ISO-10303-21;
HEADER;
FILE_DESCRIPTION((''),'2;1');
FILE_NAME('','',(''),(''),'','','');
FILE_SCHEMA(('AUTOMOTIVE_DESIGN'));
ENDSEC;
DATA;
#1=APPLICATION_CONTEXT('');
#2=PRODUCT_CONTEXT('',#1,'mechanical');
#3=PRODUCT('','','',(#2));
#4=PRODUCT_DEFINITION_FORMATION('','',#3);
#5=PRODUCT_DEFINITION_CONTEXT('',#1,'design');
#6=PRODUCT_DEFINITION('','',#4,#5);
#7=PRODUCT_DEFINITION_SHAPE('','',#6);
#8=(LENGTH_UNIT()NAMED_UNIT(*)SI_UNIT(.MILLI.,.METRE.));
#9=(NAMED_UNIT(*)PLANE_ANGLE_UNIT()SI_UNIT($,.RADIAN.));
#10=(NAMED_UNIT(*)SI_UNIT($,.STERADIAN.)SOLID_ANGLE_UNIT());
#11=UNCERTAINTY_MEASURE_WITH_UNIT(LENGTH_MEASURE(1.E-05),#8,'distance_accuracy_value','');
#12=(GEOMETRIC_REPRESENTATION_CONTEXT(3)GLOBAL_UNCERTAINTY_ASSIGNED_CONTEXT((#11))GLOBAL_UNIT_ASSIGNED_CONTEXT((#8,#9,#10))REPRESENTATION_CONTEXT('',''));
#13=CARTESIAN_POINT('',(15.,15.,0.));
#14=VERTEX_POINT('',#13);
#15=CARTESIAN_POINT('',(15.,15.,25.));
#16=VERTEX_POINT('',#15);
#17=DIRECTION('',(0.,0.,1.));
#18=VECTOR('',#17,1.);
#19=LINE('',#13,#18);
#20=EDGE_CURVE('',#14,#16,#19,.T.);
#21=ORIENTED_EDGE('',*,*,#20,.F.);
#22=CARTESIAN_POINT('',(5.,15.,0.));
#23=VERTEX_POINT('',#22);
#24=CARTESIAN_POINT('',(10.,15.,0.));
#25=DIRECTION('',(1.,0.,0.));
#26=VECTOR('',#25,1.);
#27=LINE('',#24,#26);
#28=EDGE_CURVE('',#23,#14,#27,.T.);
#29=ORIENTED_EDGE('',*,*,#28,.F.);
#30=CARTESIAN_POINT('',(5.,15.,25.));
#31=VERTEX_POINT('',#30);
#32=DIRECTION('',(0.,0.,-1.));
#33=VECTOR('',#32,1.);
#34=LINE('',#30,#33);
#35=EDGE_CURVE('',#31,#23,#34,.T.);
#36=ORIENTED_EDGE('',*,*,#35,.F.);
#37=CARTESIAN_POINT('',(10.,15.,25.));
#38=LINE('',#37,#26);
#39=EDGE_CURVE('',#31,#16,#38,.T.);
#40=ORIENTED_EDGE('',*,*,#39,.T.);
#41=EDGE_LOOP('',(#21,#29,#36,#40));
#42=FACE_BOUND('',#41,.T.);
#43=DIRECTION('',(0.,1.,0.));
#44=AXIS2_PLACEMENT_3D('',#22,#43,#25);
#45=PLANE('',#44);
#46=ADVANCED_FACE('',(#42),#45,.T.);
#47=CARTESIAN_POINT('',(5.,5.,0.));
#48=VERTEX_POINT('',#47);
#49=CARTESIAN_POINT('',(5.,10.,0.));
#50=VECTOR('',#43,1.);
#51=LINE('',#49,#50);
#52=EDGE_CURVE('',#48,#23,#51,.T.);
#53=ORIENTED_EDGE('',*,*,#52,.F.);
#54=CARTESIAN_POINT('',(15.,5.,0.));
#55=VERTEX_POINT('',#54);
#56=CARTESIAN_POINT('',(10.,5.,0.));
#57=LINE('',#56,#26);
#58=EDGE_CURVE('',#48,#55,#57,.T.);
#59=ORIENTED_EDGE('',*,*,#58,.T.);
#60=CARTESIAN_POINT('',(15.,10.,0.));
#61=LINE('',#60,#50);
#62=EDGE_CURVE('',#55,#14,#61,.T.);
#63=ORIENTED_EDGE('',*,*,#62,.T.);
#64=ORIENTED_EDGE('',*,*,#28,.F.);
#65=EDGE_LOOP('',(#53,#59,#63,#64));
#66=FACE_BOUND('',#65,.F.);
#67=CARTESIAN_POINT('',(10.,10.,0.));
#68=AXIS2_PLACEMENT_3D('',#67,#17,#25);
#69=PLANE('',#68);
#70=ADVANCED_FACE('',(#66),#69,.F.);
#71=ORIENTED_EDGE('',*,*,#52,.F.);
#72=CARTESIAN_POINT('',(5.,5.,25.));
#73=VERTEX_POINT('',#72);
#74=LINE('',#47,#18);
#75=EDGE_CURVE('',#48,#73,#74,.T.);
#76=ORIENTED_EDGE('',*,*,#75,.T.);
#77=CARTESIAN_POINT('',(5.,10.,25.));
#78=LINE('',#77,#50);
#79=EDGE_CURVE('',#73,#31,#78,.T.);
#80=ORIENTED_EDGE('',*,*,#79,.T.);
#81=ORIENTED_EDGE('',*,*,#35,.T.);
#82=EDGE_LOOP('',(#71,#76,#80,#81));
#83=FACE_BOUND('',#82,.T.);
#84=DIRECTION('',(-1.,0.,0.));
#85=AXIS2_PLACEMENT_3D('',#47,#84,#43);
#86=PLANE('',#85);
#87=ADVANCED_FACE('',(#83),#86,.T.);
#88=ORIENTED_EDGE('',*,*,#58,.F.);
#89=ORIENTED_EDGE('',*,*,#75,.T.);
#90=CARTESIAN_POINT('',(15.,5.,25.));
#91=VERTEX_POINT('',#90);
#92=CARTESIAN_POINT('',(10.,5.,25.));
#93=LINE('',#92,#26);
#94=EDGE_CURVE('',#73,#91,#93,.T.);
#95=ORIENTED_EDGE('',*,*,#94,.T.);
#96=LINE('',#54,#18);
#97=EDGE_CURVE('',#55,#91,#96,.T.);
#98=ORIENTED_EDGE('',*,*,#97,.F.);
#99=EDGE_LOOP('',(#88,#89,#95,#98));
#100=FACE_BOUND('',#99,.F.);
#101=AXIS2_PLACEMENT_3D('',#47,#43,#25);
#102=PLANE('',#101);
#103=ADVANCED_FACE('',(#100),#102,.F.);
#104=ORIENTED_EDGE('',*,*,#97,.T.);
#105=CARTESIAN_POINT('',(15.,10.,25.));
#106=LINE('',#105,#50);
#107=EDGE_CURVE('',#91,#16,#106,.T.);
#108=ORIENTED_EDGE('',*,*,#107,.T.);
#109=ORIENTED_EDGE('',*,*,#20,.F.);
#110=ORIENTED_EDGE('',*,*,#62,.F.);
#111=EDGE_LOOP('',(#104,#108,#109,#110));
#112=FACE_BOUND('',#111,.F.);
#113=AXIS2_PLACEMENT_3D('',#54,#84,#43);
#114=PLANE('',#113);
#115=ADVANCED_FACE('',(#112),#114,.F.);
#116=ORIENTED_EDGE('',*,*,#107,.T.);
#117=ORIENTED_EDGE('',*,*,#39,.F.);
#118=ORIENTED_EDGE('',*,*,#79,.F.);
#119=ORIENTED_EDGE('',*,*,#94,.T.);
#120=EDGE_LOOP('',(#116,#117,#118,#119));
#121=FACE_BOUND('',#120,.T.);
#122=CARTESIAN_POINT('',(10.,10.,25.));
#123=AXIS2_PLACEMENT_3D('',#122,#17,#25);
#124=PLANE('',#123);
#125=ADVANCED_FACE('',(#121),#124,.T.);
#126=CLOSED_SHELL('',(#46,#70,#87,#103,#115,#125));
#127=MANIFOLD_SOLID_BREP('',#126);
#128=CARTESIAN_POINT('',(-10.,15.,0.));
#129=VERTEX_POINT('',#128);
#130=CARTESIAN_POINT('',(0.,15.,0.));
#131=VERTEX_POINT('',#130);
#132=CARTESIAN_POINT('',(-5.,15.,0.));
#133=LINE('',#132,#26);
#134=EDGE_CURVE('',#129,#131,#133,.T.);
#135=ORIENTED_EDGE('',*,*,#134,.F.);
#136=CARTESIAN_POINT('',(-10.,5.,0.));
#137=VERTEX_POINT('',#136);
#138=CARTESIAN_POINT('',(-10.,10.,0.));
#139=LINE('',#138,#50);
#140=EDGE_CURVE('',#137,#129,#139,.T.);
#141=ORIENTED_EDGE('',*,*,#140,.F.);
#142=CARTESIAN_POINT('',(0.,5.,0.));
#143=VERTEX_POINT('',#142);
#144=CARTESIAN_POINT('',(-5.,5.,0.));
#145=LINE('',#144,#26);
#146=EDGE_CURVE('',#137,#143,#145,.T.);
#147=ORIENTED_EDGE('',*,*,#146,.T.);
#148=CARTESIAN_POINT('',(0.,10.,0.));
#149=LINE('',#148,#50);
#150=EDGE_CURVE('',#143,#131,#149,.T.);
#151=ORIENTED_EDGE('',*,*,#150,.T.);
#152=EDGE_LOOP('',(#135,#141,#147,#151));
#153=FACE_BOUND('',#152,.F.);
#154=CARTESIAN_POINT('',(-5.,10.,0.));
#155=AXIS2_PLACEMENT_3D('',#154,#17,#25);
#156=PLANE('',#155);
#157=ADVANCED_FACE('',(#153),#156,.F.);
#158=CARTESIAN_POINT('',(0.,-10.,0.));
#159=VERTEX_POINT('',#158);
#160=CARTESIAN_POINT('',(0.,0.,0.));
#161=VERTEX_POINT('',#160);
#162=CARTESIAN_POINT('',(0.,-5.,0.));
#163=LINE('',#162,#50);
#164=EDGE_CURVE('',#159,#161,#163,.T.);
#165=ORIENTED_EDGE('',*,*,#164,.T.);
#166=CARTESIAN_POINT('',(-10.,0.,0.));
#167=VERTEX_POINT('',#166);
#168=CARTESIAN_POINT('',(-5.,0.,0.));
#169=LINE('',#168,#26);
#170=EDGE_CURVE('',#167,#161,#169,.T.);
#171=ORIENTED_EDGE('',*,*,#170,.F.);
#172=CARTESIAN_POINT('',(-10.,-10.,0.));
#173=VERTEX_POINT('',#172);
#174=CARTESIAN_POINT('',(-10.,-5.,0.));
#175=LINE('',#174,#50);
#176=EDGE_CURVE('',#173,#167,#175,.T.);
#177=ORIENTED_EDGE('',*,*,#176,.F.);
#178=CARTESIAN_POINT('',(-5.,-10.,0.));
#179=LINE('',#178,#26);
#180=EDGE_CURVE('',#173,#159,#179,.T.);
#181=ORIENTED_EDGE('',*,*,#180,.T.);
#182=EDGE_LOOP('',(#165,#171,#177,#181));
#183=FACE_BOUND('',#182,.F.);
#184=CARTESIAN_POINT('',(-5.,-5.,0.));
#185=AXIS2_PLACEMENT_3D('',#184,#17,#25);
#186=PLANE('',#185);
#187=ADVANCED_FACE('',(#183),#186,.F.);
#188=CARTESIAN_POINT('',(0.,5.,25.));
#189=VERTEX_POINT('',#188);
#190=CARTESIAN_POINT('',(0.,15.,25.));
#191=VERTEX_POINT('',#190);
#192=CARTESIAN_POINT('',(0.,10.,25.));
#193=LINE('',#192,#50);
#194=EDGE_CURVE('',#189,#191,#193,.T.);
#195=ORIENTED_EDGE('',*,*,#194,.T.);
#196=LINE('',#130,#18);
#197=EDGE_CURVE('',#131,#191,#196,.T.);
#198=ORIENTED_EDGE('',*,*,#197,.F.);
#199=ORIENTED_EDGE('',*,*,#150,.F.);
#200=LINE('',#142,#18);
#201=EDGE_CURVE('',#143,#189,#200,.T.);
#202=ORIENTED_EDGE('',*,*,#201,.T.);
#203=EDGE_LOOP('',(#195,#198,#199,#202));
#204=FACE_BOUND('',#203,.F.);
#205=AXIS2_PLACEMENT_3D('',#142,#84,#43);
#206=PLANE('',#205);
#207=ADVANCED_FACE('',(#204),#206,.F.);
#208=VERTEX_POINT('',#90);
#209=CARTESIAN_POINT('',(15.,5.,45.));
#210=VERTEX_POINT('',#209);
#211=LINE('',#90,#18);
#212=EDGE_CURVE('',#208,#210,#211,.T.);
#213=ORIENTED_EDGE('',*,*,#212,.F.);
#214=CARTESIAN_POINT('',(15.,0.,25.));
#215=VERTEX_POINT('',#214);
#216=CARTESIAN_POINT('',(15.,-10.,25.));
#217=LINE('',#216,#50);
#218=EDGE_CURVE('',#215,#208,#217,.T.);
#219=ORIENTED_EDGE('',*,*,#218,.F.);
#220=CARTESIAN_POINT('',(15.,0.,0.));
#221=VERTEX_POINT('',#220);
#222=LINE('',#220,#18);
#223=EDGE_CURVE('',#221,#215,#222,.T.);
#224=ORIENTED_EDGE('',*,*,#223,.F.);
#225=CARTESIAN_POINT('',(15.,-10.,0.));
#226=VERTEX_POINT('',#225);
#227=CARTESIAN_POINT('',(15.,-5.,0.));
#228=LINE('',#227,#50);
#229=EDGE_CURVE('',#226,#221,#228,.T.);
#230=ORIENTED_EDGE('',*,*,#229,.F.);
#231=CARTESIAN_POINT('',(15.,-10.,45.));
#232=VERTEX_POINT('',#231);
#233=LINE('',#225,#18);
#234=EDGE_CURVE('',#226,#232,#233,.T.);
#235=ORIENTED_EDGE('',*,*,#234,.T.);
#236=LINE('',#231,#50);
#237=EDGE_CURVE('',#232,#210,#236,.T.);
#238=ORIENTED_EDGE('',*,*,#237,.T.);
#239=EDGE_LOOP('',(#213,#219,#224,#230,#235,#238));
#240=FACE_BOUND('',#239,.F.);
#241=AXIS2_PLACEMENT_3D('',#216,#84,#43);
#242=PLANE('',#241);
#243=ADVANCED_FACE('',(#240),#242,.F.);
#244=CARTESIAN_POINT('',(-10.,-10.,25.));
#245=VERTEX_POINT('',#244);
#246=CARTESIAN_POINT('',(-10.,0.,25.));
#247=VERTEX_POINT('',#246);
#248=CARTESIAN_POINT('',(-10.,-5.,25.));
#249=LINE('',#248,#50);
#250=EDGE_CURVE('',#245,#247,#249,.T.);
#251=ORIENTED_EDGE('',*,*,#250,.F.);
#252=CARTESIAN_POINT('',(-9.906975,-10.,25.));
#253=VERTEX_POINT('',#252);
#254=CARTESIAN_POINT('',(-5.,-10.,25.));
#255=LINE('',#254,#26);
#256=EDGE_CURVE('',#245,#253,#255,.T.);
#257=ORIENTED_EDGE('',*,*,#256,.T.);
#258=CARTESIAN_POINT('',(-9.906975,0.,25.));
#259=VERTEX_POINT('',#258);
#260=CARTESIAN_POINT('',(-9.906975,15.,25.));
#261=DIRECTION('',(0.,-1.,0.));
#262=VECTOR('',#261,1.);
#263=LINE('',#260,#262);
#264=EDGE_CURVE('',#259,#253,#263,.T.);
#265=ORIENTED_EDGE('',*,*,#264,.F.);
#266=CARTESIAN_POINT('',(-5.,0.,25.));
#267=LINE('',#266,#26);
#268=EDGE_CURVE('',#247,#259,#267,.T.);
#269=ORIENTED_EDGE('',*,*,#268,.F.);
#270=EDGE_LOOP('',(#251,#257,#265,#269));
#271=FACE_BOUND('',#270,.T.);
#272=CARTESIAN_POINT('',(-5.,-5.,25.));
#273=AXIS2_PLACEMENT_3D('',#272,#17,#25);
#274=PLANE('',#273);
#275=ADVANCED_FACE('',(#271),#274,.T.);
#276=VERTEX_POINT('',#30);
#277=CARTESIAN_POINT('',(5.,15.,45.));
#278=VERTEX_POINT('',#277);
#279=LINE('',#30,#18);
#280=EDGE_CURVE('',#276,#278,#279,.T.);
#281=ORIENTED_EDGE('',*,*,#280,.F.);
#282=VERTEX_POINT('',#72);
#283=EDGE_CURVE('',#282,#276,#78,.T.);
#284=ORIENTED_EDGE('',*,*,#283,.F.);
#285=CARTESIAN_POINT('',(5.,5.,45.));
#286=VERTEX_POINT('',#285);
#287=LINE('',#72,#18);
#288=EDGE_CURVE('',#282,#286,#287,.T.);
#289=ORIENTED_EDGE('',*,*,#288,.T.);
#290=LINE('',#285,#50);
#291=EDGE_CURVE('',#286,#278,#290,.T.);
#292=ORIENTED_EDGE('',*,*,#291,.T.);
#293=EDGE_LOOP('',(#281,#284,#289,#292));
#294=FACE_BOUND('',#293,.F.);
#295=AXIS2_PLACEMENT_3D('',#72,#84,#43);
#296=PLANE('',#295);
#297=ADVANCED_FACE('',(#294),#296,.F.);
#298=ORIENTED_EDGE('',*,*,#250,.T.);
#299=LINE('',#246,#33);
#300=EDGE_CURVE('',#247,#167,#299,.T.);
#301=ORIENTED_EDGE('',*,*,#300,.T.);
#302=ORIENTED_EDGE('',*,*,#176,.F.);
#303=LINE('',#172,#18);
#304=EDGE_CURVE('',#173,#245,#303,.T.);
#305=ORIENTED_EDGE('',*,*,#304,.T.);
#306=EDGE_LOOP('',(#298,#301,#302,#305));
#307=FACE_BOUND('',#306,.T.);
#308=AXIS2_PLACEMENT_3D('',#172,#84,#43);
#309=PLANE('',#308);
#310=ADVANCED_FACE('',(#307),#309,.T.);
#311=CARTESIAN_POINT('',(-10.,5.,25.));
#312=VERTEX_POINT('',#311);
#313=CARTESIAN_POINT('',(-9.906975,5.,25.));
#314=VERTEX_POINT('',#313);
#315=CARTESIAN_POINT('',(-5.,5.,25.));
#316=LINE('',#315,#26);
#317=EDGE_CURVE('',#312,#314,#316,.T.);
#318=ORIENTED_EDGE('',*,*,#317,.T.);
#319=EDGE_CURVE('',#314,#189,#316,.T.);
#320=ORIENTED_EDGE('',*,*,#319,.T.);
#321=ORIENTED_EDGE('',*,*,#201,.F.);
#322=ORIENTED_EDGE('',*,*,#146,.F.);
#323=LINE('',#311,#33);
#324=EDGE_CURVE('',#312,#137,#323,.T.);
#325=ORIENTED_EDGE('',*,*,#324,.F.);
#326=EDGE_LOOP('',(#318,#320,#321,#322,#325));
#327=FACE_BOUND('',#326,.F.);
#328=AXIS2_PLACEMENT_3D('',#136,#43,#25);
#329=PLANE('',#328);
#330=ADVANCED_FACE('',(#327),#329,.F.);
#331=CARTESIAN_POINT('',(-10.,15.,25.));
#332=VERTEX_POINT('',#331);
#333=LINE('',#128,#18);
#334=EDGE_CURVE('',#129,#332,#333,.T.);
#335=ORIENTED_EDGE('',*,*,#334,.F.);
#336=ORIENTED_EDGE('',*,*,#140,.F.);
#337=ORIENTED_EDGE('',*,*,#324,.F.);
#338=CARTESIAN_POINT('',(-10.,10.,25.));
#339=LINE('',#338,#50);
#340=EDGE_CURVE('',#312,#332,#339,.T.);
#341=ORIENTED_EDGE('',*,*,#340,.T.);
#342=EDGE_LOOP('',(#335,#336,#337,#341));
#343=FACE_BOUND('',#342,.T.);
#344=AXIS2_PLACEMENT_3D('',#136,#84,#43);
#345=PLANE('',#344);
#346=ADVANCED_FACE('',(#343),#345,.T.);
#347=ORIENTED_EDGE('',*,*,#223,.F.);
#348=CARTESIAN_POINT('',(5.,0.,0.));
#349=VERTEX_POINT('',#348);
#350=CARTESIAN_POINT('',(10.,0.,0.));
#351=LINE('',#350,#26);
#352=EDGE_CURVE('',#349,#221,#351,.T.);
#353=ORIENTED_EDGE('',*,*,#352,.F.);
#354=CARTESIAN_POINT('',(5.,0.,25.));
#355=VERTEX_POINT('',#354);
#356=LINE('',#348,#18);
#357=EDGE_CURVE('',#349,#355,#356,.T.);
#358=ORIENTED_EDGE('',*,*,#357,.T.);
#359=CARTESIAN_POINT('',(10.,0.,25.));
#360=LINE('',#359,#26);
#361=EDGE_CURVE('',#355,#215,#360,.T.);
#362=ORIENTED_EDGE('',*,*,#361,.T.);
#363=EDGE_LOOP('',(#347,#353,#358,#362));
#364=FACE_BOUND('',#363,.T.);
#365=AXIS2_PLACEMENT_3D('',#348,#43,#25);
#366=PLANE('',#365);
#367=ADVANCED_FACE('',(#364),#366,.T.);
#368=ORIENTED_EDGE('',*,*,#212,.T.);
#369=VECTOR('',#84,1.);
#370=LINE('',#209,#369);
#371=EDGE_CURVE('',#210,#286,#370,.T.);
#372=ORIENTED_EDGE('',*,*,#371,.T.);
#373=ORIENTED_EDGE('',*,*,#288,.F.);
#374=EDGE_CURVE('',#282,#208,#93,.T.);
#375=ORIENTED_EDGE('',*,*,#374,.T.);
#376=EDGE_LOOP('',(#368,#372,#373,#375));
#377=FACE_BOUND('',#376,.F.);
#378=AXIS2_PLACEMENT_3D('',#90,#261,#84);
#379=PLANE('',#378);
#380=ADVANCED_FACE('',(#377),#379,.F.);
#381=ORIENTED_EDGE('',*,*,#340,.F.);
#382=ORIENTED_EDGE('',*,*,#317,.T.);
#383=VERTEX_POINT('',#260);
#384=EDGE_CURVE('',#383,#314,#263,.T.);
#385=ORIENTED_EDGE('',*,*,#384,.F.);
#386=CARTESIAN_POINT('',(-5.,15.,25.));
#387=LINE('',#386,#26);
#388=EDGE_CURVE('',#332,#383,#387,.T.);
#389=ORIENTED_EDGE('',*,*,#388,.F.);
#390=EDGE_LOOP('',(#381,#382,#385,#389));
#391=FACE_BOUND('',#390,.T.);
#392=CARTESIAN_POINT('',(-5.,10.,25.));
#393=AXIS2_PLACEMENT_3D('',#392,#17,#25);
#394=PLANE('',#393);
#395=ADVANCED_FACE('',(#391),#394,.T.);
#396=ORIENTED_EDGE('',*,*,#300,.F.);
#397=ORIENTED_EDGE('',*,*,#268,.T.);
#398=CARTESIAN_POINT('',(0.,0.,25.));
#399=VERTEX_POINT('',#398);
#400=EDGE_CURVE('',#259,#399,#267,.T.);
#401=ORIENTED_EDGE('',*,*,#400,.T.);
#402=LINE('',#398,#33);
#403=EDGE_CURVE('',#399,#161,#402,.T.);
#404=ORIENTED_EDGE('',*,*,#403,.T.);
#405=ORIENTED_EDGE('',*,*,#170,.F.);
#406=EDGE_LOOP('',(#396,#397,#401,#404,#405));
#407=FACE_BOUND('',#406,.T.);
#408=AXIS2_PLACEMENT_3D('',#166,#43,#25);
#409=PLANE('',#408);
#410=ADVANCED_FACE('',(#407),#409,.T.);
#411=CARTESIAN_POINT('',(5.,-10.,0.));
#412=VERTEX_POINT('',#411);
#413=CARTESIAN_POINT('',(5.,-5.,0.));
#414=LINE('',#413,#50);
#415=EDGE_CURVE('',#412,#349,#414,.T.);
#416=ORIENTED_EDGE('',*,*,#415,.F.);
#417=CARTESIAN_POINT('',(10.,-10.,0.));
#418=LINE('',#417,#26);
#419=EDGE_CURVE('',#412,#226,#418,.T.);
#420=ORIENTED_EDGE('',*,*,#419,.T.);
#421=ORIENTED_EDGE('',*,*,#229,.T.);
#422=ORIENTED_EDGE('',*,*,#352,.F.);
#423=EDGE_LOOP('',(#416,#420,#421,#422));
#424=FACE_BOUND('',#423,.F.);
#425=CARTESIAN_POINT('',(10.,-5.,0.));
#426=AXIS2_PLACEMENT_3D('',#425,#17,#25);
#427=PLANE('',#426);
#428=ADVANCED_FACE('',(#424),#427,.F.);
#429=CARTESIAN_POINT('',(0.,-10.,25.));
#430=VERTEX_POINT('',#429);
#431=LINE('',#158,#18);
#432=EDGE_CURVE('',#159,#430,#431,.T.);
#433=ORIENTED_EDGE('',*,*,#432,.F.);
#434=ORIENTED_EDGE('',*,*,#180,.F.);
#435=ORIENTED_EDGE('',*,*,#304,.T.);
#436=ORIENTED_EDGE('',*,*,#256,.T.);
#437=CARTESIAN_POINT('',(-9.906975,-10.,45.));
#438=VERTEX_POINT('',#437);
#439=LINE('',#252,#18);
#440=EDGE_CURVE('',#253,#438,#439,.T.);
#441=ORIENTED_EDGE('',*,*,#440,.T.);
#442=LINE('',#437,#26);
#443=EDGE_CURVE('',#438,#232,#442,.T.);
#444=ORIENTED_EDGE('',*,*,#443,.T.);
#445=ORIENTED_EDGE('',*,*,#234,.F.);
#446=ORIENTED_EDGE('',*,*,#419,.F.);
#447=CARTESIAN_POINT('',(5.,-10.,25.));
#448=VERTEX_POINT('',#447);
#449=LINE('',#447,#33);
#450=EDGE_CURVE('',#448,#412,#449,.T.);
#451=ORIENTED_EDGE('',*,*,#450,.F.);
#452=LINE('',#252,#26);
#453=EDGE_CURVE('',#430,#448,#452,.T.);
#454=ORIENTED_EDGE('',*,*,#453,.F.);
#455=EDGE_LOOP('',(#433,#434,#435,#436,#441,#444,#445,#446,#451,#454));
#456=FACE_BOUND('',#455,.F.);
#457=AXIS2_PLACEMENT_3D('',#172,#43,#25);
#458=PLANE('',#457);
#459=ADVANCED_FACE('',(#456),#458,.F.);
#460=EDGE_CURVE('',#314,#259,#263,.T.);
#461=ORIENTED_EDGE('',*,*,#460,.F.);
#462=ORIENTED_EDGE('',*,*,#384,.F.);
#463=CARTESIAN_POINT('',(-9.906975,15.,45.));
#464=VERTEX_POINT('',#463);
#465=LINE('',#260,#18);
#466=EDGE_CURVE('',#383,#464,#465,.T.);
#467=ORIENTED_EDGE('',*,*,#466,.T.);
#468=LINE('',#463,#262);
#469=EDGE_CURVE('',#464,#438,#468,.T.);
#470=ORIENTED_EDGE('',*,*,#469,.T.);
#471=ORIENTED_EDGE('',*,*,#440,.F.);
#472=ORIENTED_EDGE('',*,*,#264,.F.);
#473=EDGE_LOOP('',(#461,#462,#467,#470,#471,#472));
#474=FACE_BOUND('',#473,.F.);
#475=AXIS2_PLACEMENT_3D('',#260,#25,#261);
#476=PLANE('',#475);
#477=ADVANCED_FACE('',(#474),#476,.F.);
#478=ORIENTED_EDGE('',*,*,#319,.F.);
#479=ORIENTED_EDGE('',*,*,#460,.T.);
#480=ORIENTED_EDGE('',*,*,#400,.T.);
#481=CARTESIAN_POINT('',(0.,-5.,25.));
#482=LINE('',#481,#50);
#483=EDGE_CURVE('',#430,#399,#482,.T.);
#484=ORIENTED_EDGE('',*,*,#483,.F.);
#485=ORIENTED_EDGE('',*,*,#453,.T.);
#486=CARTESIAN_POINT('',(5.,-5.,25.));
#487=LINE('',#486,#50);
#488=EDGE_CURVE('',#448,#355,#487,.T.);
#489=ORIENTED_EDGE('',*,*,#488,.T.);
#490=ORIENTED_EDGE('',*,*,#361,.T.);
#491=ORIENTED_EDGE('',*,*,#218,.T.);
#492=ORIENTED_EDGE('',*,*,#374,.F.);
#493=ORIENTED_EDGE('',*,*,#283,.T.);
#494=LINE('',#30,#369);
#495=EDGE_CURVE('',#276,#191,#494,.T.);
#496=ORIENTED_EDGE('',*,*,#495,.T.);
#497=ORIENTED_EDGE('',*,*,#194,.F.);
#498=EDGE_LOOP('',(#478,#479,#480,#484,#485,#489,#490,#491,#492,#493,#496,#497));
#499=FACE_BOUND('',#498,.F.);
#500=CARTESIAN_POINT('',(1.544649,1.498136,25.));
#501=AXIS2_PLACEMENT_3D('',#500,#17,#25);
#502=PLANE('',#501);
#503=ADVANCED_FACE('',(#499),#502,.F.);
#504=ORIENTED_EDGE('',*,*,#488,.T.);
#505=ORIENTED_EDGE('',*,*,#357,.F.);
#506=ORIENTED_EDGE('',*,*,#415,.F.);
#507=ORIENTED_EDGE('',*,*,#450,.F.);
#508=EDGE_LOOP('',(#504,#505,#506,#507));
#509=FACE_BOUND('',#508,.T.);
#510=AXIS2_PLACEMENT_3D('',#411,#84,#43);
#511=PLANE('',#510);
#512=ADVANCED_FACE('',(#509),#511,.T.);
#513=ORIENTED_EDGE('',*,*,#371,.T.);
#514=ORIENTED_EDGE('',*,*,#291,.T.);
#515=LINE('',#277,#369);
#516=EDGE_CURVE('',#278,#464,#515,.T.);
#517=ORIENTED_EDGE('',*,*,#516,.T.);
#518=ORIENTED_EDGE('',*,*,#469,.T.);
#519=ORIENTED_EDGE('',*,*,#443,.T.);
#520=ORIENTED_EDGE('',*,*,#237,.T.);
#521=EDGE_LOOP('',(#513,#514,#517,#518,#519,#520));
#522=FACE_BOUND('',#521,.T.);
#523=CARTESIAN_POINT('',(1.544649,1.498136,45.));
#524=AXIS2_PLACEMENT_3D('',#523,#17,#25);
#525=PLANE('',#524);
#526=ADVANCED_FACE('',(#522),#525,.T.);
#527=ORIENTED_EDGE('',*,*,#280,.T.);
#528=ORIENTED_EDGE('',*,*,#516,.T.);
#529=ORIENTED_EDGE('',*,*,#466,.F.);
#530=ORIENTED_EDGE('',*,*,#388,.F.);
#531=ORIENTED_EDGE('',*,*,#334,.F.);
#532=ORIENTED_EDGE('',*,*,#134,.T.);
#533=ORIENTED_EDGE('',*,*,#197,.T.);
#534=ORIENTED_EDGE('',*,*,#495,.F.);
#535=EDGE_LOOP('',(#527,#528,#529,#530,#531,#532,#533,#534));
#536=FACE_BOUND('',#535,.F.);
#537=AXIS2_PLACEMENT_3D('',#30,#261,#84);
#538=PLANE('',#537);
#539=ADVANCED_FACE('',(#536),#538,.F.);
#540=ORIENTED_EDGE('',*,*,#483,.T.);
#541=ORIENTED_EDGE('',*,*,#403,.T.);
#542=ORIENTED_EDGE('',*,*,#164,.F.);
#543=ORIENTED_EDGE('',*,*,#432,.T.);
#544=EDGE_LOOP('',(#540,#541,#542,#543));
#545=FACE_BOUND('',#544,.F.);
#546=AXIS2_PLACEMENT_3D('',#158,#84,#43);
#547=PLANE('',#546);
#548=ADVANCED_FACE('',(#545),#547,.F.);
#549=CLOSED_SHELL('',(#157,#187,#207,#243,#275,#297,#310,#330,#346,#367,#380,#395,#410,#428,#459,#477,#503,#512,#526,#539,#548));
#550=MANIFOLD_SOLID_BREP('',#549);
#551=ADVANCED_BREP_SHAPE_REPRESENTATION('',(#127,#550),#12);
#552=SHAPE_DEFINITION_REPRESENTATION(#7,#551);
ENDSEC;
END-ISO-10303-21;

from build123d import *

# Parameters (mm, degrees)
F0_W     = 10
F0_H     = 10
F1_DEPTH = 25
F3_DEPTH = 20


with BuildPart() as f1:
    # F0 (on Top) → F1 (new body)
    with BuildSketch(Plane.XY):
        with Locations((-5, -5)):
            Rectangle(F0_W, F0_H)
        with Locations((10, 10)):
            Rectangle(F0_W, F0_H)
        with Locations((10, -5)):
            Rectangle(F0_W, F0_H)
        with Locations((-5, 10)):
            Rectangle(F0_W, F0_H)
    extrude(amount=F1_DEPTH)

    # F0 (on Top) + F2 (on face) → F3 (join)
    with BuildSketch(Plane.XY):
        with Locations((-5, -5)):
            Rectangle(F0_W, F0_H)
        with Locations((-5, 10)):
            Rectangle(F0_W, F0_H)
        with Locations((10, -5)):
            Rectangle(F0_W, F0_H)
        with Locations((10, 10)):
            Rectangle(F0_W, F0_H)
    with BuildSketch(Plane.XY.offset(25)):
        Polygon((5, 5), (5, 15), (-9.906975, 15), (-9.906975, -10), (15, -10), (15, 5), align=None)
    extrude(amount=F3_DEPTH)


solid = f1.part
